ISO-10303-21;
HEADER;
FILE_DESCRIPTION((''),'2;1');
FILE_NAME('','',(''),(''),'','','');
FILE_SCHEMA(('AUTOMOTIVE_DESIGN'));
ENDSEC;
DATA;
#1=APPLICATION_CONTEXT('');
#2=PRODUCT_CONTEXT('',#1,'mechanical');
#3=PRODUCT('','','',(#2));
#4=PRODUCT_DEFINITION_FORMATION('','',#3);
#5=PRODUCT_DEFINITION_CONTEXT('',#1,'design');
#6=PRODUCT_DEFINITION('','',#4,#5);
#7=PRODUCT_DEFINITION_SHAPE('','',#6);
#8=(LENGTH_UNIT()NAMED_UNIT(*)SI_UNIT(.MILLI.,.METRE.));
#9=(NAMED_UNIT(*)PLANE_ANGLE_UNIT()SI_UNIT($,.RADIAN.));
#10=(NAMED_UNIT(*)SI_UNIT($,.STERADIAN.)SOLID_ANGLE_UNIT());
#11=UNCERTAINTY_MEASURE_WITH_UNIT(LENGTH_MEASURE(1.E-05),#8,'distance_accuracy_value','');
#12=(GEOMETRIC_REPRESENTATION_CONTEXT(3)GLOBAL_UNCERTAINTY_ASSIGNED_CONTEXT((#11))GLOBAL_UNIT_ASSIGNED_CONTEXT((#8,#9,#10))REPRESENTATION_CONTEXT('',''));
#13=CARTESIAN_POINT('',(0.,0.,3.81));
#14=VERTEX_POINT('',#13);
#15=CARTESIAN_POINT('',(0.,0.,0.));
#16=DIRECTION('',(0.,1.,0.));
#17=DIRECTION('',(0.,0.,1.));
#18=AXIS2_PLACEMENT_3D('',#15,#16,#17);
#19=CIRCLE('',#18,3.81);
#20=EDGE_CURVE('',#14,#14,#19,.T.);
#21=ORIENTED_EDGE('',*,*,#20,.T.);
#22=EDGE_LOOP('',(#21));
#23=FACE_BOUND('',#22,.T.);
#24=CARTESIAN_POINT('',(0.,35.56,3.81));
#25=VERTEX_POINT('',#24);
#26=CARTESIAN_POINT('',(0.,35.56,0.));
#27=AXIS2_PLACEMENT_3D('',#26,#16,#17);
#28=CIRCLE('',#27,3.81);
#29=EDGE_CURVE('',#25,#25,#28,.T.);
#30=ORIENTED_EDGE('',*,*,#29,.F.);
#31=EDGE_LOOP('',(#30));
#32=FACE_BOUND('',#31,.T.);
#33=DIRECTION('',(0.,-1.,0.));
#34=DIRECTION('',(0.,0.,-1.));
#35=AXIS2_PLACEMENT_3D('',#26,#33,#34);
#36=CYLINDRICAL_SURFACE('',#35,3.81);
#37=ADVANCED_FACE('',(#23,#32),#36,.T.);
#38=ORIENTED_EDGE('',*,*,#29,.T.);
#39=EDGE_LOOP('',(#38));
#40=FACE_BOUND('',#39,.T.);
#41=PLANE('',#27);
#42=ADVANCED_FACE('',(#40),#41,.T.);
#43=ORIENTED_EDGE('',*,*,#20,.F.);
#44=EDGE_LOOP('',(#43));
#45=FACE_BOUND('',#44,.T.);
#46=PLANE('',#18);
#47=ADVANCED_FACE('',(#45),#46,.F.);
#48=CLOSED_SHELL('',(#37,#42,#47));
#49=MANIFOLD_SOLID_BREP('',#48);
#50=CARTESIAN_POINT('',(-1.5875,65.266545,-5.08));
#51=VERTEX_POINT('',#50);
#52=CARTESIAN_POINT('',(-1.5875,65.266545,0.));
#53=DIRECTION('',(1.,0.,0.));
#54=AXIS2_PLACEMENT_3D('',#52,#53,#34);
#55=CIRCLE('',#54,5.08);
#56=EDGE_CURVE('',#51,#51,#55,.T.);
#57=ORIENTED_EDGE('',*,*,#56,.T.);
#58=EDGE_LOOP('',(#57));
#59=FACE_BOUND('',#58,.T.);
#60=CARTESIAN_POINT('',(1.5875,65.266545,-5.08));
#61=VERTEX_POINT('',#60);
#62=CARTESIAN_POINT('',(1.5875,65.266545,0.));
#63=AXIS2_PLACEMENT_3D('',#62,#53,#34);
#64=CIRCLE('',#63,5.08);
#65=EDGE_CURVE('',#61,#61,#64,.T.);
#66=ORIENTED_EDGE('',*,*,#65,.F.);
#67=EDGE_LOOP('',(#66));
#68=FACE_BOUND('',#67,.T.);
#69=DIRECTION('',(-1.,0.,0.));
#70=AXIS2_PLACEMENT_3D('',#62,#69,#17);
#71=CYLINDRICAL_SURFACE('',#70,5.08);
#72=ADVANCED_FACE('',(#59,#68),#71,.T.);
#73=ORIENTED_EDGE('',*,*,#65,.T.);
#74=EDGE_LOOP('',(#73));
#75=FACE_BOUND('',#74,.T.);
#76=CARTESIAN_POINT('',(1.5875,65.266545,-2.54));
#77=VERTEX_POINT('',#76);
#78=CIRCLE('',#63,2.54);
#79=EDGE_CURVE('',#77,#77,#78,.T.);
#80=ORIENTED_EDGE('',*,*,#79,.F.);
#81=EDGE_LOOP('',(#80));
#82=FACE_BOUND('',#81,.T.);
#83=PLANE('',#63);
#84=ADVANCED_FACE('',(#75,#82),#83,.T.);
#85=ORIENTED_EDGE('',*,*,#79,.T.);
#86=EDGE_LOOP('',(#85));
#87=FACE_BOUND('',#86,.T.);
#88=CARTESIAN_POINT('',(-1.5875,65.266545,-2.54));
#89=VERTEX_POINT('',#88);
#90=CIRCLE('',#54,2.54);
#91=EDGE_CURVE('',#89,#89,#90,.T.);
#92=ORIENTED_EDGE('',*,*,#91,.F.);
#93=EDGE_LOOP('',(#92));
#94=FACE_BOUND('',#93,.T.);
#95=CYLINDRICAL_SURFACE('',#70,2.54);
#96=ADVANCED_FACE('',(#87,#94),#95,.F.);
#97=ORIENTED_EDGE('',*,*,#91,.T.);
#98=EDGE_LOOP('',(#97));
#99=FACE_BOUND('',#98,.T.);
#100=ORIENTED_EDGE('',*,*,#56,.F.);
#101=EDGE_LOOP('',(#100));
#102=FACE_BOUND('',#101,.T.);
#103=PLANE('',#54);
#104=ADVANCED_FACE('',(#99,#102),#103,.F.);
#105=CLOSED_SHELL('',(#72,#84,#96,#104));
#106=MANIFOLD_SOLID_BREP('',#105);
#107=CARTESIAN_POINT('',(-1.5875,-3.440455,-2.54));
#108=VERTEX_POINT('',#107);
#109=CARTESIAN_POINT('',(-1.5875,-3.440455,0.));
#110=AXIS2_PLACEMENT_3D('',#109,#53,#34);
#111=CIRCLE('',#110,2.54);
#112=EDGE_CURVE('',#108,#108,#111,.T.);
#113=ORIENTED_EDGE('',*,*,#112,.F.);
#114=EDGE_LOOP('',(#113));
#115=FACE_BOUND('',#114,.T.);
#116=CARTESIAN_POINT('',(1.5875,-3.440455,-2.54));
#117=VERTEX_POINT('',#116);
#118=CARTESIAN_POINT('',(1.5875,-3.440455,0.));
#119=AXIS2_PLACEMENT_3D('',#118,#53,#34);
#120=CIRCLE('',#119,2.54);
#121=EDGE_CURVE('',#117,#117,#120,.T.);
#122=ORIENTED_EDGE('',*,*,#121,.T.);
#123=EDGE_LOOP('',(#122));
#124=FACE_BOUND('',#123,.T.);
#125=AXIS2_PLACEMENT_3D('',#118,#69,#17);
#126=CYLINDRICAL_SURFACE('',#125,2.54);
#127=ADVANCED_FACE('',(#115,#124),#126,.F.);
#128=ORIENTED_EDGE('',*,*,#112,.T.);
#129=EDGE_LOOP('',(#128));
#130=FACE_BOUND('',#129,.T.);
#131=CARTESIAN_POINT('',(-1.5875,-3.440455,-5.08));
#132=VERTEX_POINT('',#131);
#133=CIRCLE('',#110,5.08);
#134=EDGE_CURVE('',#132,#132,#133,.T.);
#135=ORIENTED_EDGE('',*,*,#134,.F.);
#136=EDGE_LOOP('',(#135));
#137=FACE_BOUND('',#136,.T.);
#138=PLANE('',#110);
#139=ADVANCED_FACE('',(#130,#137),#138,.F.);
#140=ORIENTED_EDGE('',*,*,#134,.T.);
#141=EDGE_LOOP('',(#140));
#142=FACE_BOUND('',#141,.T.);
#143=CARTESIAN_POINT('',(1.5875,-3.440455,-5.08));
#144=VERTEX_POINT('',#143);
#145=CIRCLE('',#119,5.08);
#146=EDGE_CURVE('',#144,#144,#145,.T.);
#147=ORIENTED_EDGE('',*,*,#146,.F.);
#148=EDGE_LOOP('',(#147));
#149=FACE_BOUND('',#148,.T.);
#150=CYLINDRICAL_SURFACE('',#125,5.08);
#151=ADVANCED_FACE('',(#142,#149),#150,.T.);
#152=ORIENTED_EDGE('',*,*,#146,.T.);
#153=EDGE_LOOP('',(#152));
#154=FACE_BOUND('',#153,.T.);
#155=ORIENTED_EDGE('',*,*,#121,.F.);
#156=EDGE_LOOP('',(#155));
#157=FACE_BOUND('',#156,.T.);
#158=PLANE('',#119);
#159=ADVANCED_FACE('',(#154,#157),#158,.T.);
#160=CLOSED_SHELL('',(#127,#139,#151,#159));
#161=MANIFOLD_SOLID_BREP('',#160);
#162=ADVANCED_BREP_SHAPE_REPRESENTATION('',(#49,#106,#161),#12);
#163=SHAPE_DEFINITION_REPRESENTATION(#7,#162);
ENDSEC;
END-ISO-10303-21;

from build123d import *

# Parameters (mm, degrees)
SKETCH1_R             = 3.81
EXTRUDE1_DEPTH        = 35.56
SKETCH4_R             = 5.08
SKETCH4_R_2           = 2.54
EXTRUDE_THIN1_DEPTH   = 1.5875
EXTRUDE_THIN1_2_DEPTH = 1.5875


with BuildPart() as part:
    # Sketch1 → Extrude1 (new body)
    with BuildSketch(Plane(origin=(0, 0, 0), x_dir=(1, 0, 0), z_dir=(0, 1, 0))):
        with Locations(Location((0, 0, 0), (0, 0, 270))):
            Circle(SKETCH1_R)
    extrude(amount=EXTRUDE1_DEPTH)


with BuildPart() as body_2:
    # Sketch4 → Extrude-Thin1 (new, symmetric)
    with BuildSketch(Plane(origin=(0, 0, 0), x_dir=(0, 0, -1), z_dir=(1, 0, 0))):
        with Locations((0, 65.2665448)):
            Circle(SKETCH4_R)
        with Locations((0, 65.2665448)):
            Circle(SKETCH4_R_2, mode=Mode.SUBTRACT)
    extrude(amount=EXTRUDE_THIN1_DEPTH, both=True)


with BuildPart() as body_3:
    # Sketch4 → Extrude-Thin1 2 (new, symmetric)
    with BuildSketch(Plane(origin=(0, 0, 0), x_dir=(0, 0, -1), z_dir=(1, 0, 0))):
        with Locations((0, -3.4404552)):
            Circle(SKETCH4_R)
        with Locations((0, -3.4404552)):
            Circle(SKETCH4_R_2, mode=Mode.SUBTRACT)
    extrude(amount=EXTRUDE_THIN1_2_DEPTH, both=True)


solid = Compound([part.part, body_2.part, body_3.part])
